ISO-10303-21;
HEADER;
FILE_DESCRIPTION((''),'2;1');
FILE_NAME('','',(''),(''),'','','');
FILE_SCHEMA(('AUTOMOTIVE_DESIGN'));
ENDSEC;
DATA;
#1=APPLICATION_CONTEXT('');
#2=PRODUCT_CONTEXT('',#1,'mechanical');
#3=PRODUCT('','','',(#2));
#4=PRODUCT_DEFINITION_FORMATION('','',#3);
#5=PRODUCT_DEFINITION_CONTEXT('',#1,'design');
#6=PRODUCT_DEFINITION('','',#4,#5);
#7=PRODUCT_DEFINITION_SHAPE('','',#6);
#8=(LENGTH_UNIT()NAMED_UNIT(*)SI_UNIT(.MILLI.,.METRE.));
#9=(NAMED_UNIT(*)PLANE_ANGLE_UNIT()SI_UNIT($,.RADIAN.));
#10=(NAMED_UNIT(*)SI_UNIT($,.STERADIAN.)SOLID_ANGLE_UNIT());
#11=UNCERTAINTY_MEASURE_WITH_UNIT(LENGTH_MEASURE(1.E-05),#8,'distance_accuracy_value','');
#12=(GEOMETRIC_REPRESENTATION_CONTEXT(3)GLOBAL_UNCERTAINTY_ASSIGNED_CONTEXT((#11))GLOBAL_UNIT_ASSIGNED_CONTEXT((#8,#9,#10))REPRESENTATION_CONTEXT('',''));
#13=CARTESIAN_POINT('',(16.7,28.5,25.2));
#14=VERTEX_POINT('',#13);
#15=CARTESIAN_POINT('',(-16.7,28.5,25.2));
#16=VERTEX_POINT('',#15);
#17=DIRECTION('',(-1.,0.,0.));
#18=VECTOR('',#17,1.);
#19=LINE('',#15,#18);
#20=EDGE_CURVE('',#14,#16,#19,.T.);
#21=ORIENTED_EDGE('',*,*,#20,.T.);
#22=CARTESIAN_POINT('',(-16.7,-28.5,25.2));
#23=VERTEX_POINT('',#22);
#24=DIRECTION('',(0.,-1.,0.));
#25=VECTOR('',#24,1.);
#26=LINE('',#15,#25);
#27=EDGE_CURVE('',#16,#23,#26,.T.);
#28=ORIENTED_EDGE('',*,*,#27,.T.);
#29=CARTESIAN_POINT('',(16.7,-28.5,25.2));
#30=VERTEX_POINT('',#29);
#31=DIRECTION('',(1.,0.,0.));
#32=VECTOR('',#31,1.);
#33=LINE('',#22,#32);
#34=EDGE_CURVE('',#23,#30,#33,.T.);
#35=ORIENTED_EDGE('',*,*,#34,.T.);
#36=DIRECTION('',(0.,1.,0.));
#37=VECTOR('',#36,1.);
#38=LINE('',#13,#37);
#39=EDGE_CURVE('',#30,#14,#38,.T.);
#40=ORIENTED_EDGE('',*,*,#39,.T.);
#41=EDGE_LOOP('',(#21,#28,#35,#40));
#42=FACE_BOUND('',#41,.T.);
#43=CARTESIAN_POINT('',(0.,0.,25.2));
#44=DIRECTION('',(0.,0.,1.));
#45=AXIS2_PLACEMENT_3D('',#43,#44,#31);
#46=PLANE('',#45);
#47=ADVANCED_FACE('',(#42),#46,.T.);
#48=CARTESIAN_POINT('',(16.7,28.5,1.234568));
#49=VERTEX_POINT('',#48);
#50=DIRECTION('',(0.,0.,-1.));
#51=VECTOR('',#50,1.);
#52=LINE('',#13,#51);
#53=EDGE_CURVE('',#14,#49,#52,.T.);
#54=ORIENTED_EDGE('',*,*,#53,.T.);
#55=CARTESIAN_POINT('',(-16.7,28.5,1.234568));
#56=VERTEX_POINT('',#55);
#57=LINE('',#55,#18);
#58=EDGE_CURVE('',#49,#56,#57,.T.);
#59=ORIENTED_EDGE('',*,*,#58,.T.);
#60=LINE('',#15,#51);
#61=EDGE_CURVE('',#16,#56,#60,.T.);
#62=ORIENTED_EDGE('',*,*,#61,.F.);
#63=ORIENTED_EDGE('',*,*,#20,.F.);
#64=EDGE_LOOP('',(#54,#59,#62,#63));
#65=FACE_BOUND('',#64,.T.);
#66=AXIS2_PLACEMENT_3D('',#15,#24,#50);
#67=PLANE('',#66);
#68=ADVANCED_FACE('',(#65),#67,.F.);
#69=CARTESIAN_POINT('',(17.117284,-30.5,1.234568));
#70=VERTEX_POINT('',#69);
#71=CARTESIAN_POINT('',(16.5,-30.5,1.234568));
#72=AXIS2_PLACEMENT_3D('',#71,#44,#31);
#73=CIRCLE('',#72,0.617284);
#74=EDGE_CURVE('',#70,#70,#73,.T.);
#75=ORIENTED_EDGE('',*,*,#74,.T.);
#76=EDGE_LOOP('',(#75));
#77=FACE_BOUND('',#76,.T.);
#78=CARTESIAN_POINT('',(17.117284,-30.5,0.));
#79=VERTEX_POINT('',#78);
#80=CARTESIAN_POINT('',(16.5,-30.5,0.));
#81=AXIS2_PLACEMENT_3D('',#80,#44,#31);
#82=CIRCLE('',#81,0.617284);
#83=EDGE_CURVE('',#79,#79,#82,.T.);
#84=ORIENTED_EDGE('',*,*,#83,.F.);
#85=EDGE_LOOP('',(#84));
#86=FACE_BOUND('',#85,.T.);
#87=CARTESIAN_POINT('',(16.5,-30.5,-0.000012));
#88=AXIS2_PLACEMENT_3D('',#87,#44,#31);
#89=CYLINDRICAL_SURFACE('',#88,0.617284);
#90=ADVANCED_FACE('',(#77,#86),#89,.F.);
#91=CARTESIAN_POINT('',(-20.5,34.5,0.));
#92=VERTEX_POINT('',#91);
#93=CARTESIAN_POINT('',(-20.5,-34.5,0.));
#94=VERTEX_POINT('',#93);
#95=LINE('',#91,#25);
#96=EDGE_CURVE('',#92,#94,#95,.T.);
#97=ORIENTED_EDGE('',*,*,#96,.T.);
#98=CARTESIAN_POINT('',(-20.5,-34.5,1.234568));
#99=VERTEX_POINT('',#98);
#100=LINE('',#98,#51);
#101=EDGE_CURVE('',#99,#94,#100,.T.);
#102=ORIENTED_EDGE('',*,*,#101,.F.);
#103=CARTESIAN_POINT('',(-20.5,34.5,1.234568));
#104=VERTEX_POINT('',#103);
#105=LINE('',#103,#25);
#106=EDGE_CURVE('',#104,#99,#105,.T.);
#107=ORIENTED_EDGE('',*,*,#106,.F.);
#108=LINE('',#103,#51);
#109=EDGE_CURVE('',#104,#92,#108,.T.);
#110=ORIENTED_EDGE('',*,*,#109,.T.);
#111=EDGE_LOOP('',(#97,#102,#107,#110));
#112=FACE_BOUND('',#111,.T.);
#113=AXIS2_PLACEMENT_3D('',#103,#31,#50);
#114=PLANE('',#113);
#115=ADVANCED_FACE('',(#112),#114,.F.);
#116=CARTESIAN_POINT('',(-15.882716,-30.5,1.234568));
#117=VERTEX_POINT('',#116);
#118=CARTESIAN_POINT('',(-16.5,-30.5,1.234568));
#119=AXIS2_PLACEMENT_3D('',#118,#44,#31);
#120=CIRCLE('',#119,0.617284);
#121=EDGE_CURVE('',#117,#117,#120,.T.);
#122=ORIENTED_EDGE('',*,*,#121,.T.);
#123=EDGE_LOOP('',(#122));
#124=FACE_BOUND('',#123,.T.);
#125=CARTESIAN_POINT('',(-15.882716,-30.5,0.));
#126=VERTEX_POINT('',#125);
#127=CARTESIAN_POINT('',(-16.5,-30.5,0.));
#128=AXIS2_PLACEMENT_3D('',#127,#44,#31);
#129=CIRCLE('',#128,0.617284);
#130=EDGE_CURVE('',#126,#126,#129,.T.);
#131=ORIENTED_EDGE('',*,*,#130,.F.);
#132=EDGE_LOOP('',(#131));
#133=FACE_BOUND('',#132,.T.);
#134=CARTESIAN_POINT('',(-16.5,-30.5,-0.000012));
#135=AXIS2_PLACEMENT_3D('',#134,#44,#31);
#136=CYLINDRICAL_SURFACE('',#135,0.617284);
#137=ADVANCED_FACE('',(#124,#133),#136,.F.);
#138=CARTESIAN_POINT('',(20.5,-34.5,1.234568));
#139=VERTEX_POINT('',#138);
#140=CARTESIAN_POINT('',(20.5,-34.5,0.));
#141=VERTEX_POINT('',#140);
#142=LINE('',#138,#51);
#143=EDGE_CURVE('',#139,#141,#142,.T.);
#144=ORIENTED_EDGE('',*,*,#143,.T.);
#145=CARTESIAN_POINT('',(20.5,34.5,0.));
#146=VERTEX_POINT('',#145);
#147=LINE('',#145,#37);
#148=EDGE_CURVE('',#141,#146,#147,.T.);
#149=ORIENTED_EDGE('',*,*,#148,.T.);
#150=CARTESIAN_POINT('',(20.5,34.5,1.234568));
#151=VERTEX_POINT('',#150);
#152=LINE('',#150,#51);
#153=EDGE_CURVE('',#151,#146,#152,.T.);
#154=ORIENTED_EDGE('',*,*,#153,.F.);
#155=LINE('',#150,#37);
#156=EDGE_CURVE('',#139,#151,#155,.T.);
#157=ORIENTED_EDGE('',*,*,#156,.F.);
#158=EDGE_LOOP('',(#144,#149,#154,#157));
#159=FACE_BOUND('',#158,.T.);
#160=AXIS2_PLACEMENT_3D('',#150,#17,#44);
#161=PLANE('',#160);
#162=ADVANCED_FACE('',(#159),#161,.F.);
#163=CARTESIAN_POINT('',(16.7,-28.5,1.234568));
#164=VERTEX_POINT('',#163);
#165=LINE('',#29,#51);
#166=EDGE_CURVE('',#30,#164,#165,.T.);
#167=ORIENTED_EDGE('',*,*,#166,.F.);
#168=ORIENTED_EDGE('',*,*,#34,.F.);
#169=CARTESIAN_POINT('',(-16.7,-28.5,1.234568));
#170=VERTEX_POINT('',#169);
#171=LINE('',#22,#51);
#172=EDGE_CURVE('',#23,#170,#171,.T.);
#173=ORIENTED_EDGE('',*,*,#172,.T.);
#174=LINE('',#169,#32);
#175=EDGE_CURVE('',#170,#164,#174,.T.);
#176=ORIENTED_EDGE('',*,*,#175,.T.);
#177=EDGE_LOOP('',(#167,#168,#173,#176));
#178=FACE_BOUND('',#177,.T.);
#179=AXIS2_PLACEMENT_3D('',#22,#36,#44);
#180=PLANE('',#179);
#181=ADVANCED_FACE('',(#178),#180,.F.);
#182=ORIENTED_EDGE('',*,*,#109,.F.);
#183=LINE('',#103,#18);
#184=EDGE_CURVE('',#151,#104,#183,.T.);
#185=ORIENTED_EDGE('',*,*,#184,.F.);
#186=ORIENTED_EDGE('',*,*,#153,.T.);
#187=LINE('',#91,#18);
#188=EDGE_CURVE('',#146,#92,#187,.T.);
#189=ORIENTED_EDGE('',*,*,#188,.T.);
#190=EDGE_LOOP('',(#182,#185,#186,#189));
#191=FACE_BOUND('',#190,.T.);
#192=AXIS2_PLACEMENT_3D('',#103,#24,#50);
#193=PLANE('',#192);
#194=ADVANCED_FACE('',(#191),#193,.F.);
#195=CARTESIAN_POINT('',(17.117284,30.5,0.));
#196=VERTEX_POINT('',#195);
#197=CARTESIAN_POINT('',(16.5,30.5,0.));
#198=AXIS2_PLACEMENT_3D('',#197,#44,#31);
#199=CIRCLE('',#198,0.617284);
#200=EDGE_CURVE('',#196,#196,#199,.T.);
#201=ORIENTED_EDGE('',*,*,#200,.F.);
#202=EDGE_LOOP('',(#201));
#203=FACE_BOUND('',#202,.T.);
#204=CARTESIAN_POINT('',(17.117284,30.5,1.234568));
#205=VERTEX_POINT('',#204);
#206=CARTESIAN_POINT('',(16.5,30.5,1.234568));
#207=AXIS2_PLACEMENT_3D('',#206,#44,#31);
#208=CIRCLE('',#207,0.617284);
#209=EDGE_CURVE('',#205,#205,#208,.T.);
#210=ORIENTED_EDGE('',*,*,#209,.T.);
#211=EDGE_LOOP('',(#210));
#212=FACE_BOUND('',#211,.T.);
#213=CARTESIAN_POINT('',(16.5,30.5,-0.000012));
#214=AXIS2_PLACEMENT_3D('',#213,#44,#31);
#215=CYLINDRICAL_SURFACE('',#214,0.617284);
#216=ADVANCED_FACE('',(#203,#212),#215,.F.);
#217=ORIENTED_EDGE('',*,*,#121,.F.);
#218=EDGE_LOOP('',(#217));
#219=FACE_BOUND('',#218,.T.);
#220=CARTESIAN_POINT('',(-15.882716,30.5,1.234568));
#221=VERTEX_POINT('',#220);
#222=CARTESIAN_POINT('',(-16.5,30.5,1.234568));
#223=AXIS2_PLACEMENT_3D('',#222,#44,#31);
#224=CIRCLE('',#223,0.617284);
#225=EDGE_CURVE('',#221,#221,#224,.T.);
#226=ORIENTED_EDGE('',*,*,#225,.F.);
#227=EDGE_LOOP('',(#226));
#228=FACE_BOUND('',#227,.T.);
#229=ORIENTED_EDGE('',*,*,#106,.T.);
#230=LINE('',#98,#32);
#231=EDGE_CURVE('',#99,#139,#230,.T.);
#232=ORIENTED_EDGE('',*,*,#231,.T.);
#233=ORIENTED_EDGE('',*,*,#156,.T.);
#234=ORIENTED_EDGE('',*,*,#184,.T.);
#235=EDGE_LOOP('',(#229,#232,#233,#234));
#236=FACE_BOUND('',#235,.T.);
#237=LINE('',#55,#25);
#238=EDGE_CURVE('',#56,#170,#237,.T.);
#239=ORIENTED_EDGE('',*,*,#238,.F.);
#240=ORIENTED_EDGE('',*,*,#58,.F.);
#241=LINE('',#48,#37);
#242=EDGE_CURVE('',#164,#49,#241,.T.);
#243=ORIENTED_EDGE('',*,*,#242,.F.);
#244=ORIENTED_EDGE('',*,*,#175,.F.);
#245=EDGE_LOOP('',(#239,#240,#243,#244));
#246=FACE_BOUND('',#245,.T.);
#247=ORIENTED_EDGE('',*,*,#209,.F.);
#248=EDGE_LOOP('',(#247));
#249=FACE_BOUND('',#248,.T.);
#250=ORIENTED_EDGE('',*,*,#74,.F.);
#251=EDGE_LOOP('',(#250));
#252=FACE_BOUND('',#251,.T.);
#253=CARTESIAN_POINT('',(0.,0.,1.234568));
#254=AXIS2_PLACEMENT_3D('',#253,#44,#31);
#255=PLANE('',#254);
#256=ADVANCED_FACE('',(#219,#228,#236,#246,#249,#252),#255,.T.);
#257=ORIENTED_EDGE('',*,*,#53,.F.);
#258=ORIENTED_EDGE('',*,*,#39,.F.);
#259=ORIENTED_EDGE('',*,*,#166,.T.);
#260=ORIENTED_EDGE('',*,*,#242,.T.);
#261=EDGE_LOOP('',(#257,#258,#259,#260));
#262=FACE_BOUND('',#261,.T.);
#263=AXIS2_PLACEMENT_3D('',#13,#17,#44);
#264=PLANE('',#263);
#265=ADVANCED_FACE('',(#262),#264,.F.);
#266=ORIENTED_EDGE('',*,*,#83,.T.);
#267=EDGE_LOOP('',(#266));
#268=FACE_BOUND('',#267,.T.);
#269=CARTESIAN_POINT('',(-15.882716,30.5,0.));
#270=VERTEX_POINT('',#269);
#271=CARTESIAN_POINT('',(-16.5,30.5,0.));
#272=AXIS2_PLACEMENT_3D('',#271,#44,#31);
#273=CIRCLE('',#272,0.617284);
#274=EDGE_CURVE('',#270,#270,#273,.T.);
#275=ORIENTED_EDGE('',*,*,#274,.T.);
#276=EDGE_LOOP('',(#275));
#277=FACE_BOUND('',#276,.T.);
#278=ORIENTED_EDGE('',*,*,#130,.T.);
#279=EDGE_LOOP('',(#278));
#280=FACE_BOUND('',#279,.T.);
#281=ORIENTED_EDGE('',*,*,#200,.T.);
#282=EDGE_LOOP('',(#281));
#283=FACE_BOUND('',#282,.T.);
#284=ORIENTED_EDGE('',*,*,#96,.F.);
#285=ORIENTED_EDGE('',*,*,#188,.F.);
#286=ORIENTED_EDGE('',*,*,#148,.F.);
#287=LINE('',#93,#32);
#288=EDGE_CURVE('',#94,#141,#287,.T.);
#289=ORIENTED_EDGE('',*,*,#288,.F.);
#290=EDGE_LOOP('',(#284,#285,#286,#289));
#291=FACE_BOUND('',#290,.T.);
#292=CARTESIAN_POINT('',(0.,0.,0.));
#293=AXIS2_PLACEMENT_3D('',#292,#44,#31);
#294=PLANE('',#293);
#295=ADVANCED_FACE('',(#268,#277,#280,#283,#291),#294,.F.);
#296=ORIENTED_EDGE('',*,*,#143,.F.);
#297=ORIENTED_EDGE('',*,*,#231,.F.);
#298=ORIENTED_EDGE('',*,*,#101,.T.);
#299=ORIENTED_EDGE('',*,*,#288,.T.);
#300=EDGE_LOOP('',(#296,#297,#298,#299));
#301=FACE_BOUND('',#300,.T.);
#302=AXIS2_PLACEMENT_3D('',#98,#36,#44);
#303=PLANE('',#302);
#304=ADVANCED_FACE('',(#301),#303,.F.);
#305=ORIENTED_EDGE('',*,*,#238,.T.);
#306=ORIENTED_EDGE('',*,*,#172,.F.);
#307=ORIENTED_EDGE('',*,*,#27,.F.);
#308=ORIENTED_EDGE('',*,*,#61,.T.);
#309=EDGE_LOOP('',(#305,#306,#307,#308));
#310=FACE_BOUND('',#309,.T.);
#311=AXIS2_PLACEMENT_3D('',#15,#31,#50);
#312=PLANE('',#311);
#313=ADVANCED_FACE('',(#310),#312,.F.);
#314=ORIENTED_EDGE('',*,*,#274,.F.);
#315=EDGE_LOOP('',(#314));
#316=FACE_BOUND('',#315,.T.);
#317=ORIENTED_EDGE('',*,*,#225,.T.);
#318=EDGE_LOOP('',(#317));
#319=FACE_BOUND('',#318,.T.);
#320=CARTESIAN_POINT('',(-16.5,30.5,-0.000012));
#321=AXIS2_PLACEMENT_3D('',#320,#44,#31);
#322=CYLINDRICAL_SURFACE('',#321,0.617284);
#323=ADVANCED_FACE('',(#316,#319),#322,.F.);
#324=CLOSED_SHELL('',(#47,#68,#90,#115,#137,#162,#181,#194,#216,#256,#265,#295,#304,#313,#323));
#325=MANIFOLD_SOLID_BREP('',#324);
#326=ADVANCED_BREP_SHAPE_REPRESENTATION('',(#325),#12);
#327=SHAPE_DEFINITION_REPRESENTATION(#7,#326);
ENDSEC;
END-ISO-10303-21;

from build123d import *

# Parameters (mm, degrees)
BOX_SKETCH_W              = 33.4
BOX_SKETCH_H              = 57
BOX_EXTRUDE_DEPTH         = 25.2
FLANGE_SKETCH_W           = 41
FLANGE_SKETCH_H           = 69
FLANGE_EXTRUDE_DEPTH      = 1.23456789
MOUNTHOLES_CUT_DEPTH      = 48.387129054
MOUNTHOLES_CUT_DEPTH_BACK = 48.387129054
MOUNTHOLES_SKETCH_R       = 0.617283945


with BuildPart() as part:
    # box_sketch → box_extrude (new body)
    with BuildSketch(Plane.XY):
        Rectangle(BOX_SKETCH_W, BOX_SKETCH_H)
    extrude(amount=BOX_EXTRUDE_DEPTH)

    # flange_sketch → flange_extrude (add)
    with BuildSketch(Plane.XY):
        Rectangle(FLANGE_SKETCH_W, FLANGE_SKETCH_H)
    extrude(amount=FLANGE_EXTRUDE_DEPTH)

    # mountHoles_sketch → mountHoles_cut (cut, two sides: drawn at the far end of the back side and taken through both)
    with BuildSketch(Plane.XY.offset(-MOUNTHOLES_CUT_DEPTH_BACK)):
        with Locations((16.5, -30.5)):
            Circle(MOUNTHOLES_SKETCH_R)
        with Locations((16.5, 30.5)):
            Circle(MOUNTHOLES_SKETCH_R)
        with Locations((-16.5, -30.5)):
            Circle(MOUNTHOLES_SKETCH_R)
        with Locations((-16.5, 30.5)):
            Circle(MOUNTHOLES_SKETCH_R)
    extrude(amount=MOUNTHOLES_CUT_DEPTH + MOUNTHOLES_CUT_DEPTH_BACK, mode=Mode.SUBTRACT)


solid = part.part
